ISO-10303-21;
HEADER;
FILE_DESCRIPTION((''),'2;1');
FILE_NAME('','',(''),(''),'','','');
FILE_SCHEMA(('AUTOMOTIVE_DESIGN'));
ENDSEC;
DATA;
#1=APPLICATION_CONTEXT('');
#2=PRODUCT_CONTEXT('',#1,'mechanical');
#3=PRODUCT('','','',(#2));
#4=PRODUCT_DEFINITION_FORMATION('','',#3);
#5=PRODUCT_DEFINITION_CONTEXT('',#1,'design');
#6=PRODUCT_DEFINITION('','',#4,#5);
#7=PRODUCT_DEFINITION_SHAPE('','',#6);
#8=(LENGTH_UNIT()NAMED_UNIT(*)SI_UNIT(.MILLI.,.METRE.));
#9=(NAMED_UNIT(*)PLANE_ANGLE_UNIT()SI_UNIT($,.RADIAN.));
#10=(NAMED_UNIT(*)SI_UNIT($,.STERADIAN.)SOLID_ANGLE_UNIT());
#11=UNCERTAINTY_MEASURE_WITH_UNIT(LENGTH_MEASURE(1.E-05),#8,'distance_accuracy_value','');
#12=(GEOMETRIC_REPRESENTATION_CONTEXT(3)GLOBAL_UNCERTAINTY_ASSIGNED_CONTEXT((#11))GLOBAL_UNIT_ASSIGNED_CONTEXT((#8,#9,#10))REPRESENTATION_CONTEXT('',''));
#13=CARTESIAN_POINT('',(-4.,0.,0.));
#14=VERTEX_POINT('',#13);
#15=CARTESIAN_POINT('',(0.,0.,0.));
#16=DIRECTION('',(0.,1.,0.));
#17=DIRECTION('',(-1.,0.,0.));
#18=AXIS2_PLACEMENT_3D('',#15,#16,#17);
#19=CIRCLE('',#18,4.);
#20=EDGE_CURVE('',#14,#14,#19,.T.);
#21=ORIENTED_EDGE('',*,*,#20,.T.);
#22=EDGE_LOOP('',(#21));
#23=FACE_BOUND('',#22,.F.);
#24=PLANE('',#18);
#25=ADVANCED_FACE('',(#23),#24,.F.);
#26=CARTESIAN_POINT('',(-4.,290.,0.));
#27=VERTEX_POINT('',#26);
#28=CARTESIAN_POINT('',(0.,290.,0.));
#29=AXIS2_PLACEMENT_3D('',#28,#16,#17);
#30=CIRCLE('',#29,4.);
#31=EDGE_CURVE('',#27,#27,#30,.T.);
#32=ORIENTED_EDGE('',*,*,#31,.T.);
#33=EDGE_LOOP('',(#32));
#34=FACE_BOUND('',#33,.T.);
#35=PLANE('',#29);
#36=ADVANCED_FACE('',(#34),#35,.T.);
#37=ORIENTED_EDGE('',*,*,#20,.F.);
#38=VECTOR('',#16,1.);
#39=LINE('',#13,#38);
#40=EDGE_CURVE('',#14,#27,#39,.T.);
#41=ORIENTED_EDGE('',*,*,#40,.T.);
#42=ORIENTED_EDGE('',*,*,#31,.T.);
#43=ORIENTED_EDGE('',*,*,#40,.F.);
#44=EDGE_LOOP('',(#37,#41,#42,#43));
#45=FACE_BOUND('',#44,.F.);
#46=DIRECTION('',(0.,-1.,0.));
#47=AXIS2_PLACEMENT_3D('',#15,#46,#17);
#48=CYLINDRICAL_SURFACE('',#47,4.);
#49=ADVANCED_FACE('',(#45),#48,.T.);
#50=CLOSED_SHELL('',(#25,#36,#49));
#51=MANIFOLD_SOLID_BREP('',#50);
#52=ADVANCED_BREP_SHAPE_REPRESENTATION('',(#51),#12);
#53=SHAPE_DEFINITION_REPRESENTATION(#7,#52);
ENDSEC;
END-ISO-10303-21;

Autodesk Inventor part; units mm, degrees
ref_plane "YZ Plane" through (0, 0, 0) normal (1, 0, 0) x (0, 1, 0)
ref_plane "XZ Plane" through (0, 0, 0) normal (0, 1, 0) x (-1, 0, 0)
ref_plane "XY Plane" through (0, 0, 0) normal (0, 0, 1) x (1, 0, 0)
sketch "Sketch1" plane through (0, 0, 0) normal (0, 1, 0) x (-1, 0, 0)
  circle A0 centre (0, 0) radius 4
  dimension "d0" = 8
extrude "Extrusion1" add sketch "Sketch1" along normal blind 290
thread "Thread1" size "M8x1.25" class "6g" standard "ANSI Metric M Profile" full length
properties part number "M8x290"
